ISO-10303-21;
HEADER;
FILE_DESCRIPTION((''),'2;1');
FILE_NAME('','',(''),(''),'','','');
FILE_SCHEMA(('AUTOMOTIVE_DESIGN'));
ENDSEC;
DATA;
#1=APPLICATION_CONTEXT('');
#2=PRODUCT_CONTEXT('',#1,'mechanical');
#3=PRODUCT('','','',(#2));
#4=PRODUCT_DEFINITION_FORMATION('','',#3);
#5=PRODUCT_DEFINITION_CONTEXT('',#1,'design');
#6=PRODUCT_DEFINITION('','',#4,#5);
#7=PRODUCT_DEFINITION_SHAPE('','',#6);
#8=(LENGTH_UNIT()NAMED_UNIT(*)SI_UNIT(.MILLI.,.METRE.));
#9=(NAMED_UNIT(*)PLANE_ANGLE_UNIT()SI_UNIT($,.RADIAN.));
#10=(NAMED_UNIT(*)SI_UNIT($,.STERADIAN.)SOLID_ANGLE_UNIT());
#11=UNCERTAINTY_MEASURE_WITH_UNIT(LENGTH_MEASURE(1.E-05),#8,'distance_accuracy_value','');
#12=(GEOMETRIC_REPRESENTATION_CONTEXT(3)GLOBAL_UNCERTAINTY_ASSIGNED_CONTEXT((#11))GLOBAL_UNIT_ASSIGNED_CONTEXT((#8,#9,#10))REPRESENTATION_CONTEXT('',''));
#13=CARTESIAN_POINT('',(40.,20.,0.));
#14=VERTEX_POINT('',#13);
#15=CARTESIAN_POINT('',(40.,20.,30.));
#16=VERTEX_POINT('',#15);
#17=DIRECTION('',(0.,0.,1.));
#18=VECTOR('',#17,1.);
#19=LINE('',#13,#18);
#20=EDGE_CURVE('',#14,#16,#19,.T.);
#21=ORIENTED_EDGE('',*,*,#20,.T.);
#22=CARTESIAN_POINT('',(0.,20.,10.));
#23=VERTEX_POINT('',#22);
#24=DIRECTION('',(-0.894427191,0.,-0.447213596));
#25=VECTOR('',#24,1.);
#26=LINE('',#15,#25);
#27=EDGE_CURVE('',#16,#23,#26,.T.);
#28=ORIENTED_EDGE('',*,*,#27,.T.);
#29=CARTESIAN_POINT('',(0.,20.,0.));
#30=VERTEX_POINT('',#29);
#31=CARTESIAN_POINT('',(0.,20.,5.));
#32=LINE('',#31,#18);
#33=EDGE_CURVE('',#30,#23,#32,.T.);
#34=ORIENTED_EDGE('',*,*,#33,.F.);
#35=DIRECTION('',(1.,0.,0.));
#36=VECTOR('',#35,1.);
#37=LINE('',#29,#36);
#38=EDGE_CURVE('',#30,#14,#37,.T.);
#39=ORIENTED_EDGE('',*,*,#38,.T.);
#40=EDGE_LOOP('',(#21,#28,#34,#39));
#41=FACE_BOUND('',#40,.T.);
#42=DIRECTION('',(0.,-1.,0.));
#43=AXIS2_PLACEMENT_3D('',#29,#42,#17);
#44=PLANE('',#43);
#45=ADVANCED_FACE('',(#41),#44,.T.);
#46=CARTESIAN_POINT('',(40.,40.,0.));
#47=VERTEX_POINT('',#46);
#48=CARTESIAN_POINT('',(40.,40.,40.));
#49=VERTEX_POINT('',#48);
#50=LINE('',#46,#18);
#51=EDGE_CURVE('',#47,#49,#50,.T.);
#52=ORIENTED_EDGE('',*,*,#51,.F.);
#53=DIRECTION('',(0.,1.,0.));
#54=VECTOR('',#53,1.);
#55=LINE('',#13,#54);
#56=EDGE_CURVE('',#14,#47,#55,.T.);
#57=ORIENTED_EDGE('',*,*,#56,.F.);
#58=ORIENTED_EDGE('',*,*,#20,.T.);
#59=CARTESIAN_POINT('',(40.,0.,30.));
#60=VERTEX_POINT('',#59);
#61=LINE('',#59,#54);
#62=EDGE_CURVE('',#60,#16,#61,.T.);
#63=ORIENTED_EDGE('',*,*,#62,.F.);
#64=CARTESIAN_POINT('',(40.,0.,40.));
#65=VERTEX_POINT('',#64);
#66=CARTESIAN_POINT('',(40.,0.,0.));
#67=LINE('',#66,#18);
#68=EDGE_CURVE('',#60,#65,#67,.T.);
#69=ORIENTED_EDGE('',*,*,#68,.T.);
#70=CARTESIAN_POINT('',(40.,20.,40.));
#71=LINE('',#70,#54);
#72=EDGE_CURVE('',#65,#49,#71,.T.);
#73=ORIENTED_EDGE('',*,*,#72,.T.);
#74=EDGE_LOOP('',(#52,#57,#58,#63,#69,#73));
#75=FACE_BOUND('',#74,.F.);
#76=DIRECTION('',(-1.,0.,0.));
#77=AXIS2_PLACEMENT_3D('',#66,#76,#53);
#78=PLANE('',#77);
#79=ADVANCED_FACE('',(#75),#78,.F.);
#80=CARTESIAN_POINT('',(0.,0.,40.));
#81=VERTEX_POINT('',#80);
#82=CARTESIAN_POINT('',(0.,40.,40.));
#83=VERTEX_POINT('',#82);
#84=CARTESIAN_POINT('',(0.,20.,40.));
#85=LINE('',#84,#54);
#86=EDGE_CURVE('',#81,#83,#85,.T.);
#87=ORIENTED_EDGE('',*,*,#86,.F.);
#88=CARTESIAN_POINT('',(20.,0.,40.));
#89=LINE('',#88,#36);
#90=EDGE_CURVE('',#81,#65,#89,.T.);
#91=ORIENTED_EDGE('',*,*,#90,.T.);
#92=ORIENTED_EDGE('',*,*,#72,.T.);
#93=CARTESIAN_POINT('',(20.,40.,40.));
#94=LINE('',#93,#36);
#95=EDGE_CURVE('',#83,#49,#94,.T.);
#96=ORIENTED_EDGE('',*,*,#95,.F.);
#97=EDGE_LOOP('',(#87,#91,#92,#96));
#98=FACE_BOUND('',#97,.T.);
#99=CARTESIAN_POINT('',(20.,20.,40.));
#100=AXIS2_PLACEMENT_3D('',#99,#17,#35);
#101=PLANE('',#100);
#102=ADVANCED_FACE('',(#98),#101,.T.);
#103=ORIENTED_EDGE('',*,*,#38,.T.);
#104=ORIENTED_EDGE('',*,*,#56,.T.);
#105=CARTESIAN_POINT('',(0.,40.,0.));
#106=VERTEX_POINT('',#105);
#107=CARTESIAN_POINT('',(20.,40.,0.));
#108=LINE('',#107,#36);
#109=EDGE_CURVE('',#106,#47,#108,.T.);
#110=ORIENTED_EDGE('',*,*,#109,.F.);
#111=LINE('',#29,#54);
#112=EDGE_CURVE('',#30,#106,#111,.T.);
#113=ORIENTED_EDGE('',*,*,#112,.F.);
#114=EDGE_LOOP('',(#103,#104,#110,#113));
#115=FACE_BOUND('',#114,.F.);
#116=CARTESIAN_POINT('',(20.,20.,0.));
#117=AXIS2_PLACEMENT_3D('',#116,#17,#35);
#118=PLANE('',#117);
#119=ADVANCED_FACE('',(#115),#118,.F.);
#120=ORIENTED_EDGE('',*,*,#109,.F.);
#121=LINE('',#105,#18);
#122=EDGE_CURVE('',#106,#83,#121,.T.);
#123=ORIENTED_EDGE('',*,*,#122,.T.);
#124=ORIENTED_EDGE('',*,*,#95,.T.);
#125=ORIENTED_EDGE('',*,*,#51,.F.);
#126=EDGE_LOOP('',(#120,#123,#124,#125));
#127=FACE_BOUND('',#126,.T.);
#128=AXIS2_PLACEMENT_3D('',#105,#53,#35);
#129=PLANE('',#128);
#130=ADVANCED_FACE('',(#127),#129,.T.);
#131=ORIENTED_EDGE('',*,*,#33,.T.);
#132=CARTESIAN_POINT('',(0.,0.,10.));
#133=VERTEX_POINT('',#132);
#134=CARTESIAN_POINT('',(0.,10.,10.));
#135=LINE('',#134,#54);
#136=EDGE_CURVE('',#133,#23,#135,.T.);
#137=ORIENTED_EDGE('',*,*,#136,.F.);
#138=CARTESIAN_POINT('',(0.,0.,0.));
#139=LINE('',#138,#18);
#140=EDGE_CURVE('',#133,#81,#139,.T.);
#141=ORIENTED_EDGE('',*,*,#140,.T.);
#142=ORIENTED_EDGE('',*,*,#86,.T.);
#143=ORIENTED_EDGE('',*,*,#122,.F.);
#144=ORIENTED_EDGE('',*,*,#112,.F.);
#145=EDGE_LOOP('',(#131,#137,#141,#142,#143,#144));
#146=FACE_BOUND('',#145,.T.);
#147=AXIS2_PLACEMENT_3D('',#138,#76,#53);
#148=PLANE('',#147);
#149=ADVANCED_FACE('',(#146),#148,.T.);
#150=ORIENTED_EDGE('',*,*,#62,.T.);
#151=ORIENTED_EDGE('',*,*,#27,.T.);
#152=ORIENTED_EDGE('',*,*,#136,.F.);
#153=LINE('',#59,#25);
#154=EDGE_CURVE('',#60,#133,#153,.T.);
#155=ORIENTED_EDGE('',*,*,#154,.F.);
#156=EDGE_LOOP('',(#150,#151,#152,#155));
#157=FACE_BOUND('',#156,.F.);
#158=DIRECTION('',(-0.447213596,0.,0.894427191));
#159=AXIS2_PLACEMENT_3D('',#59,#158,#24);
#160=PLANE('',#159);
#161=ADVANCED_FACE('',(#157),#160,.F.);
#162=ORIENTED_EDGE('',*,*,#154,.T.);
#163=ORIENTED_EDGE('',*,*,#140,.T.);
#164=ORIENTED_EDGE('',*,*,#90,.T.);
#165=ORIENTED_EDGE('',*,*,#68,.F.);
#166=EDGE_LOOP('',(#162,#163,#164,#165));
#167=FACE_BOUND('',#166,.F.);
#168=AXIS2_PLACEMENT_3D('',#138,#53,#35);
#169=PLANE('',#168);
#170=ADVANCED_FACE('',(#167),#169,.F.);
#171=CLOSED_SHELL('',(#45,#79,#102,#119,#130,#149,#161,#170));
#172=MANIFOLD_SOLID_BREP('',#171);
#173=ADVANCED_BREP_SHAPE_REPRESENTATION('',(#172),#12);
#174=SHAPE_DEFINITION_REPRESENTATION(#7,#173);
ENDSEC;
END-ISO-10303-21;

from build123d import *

# Parameters (mm, degrees)
SKETCH1_W           = 40
SKETCH1_H           = 40
BOSS_EXTRUDE1_DEPTH = 40
SKETCH2_W           = 10
SKETCH2_H           = 20
CUT_EXTRUDE1_DEPTH  = 40
CUT_EXTRUDE2_DEPTH  = 20


with BuildPart() as part:
    # Sketch1 → Boss-Extrude1 (new body)
    with BuildSketch(Plane.XY):
        with Locations((20, 20)):
            Rectangle(SKETCH1_W, SKETCH1_H)
    extrude(amount=BOSS_EXTRUDE1_DEPTH)

    # Sketch2 → Cut-Extrude1 (cut)
    with BuildSketch(Plane.ZY):
        with Locations((5, 10)):
            Rectangle(SKETCH2_W, SKETCH2_H)
    extrude(amount=-CUT_EXTRUDE1_DEPTH, mode=Mode.SUBTRACT)

    # Sketch3 → Cut-Extrude2 (cut)
    with BuildSketch(Plane.XZ):
        Polygon((0, 10), (0, 0), (40, 0), (40, 30), align=None)
    extrude(amount=-CUT_EXTRUDE2_DEPTH, mode=Mode.SUBTRACT)


solid = part.part
